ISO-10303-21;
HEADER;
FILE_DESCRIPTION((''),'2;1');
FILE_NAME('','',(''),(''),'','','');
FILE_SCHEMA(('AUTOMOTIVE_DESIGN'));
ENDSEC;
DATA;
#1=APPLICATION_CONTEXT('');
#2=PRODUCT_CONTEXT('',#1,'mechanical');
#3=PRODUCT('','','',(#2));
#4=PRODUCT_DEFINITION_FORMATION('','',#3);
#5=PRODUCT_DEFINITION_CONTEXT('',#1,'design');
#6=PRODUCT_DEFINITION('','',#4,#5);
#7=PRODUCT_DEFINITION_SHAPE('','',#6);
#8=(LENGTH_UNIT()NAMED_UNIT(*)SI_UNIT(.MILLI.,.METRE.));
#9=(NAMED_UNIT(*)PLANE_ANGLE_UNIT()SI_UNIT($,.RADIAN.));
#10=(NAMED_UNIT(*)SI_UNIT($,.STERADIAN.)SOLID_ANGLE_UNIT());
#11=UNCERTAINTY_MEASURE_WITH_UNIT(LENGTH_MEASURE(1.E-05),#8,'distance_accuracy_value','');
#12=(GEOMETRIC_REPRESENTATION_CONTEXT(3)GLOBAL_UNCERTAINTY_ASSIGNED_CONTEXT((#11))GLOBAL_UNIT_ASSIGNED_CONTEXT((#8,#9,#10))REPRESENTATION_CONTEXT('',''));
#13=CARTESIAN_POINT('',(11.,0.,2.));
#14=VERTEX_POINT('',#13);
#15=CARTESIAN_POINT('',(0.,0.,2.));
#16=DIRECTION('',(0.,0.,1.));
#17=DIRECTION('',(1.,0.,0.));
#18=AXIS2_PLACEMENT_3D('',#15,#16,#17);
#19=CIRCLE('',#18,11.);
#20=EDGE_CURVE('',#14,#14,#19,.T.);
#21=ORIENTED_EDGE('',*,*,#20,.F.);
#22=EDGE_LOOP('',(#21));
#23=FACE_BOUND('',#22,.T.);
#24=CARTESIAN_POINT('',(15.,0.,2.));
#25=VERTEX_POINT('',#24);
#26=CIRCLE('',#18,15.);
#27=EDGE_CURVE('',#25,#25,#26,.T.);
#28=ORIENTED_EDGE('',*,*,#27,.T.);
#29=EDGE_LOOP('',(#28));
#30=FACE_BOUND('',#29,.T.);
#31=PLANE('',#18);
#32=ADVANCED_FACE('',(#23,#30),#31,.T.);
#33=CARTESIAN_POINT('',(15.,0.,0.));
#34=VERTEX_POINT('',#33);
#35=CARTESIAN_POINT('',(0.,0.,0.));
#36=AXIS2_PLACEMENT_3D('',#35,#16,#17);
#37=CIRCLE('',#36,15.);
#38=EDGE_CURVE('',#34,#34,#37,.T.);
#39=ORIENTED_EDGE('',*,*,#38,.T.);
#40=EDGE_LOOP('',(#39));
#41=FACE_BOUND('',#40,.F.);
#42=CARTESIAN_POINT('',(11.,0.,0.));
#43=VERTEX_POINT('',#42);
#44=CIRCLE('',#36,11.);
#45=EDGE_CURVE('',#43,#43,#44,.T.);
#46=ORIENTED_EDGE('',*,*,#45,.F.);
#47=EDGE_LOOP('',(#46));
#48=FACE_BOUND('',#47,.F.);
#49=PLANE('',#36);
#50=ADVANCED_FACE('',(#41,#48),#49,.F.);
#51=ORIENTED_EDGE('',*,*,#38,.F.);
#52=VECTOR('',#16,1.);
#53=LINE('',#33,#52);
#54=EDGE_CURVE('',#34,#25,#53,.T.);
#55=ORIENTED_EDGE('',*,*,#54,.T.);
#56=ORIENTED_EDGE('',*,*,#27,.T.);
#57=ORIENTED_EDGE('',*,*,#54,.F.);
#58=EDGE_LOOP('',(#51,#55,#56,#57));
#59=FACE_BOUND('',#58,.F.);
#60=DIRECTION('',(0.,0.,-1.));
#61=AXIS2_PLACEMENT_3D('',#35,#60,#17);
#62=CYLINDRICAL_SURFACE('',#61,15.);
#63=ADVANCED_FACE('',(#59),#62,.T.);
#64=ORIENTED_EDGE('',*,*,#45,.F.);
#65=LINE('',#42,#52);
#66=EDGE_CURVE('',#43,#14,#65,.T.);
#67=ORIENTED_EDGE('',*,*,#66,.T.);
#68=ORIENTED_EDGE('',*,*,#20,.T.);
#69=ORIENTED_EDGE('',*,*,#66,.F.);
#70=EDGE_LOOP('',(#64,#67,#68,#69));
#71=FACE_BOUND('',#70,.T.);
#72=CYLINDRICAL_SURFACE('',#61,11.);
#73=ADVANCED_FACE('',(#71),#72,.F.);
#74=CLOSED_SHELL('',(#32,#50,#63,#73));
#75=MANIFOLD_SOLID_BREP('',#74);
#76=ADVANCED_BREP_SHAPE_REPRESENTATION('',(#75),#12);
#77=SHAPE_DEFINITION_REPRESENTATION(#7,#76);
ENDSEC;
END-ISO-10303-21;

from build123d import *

# Parameters (mm, degrees)
SKETCH_R   = 15
SKETCH_R_2 = 11
PAD_DEPTH  = 2


with BuildPart() as part:
    # Sketch → Pad (new body)
    with BuildSketch(Plane.XY):
        Circle(SKETCH_R)
        Circle(SKETCH_R_2, mode=Mode.SUBTRACT)
    extrude(amount=PAD_DEPTH)


solid = part.part
